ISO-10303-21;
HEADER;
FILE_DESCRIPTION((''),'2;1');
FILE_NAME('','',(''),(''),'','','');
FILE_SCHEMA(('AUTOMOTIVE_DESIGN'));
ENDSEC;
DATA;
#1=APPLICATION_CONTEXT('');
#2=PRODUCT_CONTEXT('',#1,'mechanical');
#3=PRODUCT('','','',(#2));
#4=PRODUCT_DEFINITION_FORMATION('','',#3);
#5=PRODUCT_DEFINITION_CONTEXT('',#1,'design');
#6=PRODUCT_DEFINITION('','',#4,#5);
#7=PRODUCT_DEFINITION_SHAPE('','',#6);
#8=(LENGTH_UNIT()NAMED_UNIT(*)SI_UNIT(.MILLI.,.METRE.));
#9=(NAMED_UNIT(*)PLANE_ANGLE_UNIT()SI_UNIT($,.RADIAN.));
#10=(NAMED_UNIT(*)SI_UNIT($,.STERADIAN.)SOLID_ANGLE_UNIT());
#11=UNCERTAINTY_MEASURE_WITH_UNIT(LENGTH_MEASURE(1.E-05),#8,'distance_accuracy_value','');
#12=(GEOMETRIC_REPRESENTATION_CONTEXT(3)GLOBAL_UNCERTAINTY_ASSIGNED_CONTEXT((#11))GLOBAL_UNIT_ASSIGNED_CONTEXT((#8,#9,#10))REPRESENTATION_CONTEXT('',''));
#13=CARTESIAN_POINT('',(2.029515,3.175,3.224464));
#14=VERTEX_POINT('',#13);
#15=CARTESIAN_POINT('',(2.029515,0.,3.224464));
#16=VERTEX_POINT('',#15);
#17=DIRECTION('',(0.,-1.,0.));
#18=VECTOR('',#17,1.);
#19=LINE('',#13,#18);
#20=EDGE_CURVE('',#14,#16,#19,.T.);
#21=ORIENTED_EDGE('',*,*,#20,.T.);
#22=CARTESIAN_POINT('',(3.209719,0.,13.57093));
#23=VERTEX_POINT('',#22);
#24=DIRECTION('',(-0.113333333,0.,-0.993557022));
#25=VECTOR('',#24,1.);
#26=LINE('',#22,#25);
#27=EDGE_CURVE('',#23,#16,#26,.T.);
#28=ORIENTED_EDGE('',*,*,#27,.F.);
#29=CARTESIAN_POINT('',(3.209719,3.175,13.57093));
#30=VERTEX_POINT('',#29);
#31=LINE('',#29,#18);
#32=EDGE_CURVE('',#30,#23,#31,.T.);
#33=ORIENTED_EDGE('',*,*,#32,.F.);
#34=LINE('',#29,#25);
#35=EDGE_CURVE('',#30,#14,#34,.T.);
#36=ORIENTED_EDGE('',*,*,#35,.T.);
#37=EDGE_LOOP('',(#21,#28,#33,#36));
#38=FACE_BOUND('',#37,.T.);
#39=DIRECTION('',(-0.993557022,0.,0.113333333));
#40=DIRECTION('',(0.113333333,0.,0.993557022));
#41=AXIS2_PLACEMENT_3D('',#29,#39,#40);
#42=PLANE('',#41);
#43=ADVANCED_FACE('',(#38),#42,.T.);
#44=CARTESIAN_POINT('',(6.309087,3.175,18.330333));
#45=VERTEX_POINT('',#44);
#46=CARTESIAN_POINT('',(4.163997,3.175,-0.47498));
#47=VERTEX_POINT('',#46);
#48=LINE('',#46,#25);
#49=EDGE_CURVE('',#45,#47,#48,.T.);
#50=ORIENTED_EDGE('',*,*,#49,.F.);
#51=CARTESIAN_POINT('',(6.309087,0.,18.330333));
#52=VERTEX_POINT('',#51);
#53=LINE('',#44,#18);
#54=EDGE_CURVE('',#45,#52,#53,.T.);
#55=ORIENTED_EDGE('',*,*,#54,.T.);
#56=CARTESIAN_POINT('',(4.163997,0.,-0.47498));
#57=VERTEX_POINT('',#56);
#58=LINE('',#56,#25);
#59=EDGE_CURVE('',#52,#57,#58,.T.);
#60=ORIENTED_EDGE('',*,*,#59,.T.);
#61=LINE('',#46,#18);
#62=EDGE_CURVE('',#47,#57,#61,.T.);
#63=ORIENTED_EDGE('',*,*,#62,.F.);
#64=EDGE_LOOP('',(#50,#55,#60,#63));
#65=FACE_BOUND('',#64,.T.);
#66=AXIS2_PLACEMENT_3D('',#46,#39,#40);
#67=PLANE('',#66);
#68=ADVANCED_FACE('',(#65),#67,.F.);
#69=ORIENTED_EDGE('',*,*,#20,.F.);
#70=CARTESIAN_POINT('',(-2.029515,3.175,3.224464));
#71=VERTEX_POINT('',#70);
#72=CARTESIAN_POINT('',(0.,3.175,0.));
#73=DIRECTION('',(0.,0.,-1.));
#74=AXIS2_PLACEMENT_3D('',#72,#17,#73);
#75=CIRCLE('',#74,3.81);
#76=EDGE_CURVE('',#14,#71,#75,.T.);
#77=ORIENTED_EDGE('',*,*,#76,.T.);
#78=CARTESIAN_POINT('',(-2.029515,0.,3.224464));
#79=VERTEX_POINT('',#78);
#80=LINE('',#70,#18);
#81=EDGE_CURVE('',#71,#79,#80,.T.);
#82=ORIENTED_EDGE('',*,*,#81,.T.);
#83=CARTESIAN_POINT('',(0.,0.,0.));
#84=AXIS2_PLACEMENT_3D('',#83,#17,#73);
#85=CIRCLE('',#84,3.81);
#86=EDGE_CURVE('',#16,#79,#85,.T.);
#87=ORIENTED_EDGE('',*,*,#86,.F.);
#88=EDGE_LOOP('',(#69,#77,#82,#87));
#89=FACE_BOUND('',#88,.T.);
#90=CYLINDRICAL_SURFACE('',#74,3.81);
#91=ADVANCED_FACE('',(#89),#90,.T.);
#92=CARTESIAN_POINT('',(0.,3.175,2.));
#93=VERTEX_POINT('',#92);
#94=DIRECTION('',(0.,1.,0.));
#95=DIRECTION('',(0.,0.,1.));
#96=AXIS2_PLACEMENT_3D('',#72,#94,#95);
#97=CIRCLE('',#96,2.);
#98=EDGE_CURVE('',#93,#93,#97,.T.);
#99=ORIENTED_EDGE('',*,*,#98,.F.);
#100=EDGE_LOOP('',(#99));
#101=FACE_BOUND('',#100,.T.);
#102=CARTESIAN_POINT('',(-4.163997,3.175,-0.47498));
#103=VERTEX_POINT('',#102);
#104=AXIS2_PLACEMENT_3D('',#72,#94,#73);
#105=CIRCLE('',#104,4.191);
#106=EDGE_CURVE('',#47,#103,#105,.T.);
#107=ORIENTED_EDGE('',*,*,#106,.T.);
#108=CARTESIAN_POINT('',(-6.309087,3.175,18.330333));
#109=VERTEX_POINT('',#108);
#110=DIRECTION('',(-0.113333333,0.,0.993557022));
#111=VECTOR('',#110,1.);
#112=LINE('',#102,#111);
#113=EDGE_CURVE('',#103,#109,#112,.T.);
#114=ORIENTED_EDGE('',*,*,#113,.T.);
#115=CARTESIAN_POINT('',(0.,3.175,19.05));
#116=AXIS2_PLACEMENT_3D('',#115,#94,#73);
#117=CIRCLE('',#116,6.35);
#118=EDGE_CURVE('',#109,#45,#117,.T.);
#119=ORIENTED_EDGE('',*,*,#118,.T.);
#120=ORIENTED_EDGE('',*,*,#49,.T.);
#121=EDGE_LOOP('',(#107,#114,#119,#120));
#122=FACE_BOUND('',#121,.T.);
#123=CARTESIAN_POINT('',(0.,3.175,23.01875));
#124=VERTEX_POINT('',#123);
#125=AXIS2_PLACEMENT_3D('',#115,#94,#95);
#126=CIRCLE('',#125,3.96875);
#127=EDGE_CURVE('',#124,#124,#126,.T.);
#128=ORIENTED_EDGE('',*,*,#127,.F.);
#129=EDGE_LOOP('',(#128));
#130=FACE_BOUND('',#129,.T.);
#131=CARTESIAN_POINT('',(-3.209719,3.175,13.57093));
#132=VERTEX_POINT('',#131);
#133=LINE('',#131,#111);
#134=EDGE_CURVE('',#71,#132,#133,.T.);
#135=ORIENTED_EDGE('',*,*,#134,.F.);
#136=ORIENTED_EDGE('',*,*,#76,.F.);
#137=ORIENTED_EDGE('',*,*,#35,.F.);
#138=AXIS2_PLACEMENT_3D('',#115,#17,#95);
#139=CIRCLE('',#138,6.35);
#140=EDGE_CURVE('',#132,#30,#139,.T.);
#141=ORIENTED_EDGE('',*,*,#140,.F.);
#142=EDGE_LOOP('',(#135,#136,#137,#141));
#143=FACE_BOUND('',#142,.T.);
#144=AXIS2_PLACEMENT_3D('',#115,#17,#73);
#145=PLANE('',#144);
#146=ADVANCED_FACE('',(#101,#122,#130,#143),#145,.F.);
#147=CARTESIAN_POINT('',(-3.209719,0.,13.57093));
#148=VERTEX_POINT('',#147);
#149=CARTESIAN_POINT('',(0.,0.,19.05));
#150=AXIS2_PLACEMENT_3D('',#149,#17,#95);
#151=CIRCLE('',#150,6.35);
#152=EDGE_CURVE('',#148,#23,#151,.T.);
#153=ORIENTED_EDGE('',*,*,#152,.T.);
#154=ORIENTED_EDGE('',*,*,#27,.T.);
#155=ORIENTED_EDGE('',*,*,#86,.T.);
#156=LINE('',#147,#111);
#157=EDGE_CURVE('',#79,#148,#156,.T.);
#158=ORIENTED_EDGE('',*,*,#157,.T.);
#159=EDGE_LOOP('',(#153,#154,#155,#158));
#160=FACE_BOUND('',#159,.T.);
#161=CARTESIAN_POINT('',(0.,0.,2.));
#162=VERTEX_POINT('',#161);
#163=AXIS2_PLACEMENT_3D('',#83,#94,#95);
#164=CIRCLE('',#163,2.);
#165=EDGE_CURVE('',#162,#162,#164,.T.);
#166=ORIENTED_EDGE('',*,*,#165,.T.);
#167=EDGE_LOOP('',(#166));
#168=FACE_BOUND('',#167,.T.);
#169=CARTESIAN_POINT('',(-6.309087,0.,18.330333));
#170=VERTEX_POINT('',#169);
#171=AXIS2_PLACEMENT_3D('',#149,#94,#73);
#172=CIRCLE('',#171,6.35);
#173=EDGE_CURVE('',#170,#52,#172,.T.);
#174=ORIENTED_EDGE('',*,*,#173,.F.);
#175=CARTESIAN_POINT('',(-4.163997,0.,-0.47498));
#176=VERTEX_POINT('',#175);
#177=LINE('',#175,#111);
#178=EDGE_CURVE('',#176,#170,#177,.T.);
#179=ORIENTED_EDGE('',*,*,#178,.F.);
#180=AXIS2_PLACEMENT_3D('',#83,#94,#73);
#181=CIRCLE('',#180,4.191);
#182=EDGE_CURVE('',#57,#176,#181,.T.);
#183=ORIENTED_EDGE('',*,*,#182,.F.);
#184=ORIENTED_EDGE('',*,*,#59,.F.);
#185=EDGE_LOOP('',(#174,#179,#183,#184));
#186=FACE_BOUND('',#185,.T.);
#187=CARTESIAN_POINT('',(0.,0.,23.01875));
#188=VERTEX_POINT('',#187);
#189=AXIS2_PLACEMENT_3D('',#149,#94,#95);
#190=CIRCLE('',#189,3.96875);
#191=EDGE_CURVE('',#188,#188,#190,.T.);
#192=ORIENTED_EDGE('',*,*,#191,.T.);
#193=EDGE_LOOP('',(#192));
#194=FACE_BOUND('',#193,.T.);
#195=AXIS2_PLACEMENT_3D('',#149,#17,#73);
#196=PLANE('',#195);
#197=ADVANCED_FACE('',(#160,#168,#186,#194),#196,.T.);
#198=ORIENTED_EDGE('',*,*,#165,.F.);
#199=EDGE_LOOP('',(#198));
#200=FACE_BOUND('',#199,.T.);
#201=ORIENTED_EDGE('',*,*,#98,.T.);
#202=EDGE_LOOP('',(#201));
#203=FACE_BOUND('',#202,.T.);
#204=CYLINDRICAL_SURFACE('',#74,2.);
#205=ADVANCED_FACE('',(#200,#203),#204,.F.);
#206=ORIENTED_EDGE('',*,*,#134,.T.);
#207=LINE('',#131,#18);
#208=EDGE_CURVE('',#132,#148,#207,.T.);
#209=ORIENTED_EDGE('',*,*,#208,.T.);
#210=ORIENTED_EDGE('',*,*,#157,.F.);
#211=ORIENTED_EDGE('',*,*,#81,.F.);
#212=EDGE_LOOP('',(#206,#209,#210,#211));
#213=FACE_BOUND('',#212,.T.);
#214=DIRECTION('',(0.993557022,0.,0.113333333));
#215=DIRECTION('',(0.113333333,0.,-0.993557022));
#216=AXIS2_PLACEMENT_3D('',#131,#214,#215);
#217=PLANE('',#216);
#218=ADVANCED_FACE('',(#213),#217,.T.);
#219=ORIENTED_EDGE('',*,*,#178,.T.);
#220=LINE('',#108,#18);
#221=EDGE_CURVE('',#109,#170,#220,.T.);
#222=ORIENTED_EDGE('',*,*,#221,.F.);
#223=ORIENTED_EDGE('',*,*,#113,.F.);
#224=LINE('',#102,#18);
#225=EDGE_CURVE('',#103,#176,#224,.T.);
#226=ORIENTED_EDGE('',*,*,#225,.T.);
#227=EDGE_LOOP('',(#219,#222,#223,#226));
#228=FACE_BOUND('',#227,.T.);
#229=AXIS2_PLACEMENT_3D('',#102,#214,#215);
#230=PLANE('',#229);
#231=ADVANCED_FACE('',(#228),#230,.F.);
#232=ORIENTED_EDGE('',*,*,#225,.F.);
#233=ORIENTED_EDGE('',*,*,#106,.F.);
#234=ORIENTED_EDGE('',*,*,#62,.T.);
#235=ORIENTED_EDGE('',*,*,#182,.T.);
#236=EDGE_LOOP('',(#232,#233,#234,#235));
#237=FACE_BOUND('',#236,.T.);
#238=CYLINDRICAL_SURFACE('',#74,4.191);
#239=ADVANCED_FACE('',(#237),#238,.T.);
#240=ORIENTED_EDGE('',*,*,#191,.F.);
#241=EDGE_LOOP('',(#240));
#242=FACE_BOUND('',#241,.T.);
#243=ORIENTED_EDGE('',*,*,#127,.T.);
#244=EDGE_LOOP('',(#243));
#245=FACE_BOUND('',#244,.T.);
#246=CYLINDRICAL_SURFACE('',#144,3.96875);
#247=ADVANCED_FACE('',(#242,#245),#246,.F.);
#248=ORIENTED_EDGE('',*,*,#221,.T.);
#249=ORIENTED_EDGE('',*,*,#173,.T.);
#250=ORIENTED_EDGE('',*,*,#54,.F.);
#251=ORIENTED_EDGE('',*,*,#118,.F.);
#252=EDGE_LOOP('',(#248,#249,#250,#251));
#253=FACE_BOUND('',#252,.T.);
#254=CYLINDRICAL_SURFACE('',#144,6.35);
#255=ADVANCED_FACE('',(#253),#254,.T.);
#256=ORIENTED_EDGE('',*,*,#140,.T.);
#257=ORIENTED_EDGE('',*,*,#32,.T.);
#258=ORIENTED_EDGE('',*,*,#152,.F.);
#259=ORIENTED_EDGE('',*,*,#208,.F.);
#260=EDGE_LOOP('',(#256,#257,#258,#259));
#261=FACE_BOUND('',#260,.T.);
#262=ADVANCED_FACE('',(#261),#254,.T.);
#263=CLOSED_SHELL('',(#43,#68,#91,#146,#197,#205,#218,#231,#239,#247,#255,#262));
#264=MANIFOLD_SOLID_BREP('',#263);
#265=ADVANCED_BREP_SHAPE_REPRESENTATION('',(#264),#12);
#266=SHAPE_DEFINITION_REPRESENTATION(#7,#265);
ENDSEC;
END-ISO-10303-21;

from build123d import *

# Parameters (mm, degrees)
SKETCH2_R           = 2
SKETCH2_R_2         = 3.96875
BOSS_EXTRUDE1_DEPTH = 3.175


with BuildPart() as part:
    # Sketch2 → Boss-Extrude1 (new body)
    with BuildSketch(Plane(origin=(0, 0, 0), x_dir=(1, 0, 0), z_dir=(0, 1, 0))):
        with BuildLine():
            Line((4.163997478, 0.47498), (6.309087088, -18.330333333))
            ThreePointArc((6.309087088, -18.330333333), (0, -25.4), (-6.309087088, -18.330333333))
            Line((-6.309087088, -18.330333333), (-4.163997478, 0.47498))
            ThreePointArc((-4.163997478, 0.47498), (0, 4.191), (4.163997478, 0.47498))
        make_face()
        Circle(SKETCH2_R, mode=Mode.SUBTRACT)
        with Locations((0, -19.05)):
            Circle(SKETCH2_R_2, mode=Mode.SUBTRACT)
        with BuildLine():
            Line((3.20971892, -13.570930329), (2.029515364, -3.224463891))
            ThreePointArc((2.029515364, -3.224463891), (0, -3.81), (-2.029515364, -3.224463891))
            Line((-2.029515364, -3.224463891), (-3.20971892, -13.570930329))
            ThreePointArc((-3.20971892, -13.570930329), (0, -12.7), (3.20971892, -13.570930329))
        make_face(mode=Mode.SUBTRACT)
    extrude(amount=BOSS_EXTRUDE1_DEPTH)


solid = part.part
